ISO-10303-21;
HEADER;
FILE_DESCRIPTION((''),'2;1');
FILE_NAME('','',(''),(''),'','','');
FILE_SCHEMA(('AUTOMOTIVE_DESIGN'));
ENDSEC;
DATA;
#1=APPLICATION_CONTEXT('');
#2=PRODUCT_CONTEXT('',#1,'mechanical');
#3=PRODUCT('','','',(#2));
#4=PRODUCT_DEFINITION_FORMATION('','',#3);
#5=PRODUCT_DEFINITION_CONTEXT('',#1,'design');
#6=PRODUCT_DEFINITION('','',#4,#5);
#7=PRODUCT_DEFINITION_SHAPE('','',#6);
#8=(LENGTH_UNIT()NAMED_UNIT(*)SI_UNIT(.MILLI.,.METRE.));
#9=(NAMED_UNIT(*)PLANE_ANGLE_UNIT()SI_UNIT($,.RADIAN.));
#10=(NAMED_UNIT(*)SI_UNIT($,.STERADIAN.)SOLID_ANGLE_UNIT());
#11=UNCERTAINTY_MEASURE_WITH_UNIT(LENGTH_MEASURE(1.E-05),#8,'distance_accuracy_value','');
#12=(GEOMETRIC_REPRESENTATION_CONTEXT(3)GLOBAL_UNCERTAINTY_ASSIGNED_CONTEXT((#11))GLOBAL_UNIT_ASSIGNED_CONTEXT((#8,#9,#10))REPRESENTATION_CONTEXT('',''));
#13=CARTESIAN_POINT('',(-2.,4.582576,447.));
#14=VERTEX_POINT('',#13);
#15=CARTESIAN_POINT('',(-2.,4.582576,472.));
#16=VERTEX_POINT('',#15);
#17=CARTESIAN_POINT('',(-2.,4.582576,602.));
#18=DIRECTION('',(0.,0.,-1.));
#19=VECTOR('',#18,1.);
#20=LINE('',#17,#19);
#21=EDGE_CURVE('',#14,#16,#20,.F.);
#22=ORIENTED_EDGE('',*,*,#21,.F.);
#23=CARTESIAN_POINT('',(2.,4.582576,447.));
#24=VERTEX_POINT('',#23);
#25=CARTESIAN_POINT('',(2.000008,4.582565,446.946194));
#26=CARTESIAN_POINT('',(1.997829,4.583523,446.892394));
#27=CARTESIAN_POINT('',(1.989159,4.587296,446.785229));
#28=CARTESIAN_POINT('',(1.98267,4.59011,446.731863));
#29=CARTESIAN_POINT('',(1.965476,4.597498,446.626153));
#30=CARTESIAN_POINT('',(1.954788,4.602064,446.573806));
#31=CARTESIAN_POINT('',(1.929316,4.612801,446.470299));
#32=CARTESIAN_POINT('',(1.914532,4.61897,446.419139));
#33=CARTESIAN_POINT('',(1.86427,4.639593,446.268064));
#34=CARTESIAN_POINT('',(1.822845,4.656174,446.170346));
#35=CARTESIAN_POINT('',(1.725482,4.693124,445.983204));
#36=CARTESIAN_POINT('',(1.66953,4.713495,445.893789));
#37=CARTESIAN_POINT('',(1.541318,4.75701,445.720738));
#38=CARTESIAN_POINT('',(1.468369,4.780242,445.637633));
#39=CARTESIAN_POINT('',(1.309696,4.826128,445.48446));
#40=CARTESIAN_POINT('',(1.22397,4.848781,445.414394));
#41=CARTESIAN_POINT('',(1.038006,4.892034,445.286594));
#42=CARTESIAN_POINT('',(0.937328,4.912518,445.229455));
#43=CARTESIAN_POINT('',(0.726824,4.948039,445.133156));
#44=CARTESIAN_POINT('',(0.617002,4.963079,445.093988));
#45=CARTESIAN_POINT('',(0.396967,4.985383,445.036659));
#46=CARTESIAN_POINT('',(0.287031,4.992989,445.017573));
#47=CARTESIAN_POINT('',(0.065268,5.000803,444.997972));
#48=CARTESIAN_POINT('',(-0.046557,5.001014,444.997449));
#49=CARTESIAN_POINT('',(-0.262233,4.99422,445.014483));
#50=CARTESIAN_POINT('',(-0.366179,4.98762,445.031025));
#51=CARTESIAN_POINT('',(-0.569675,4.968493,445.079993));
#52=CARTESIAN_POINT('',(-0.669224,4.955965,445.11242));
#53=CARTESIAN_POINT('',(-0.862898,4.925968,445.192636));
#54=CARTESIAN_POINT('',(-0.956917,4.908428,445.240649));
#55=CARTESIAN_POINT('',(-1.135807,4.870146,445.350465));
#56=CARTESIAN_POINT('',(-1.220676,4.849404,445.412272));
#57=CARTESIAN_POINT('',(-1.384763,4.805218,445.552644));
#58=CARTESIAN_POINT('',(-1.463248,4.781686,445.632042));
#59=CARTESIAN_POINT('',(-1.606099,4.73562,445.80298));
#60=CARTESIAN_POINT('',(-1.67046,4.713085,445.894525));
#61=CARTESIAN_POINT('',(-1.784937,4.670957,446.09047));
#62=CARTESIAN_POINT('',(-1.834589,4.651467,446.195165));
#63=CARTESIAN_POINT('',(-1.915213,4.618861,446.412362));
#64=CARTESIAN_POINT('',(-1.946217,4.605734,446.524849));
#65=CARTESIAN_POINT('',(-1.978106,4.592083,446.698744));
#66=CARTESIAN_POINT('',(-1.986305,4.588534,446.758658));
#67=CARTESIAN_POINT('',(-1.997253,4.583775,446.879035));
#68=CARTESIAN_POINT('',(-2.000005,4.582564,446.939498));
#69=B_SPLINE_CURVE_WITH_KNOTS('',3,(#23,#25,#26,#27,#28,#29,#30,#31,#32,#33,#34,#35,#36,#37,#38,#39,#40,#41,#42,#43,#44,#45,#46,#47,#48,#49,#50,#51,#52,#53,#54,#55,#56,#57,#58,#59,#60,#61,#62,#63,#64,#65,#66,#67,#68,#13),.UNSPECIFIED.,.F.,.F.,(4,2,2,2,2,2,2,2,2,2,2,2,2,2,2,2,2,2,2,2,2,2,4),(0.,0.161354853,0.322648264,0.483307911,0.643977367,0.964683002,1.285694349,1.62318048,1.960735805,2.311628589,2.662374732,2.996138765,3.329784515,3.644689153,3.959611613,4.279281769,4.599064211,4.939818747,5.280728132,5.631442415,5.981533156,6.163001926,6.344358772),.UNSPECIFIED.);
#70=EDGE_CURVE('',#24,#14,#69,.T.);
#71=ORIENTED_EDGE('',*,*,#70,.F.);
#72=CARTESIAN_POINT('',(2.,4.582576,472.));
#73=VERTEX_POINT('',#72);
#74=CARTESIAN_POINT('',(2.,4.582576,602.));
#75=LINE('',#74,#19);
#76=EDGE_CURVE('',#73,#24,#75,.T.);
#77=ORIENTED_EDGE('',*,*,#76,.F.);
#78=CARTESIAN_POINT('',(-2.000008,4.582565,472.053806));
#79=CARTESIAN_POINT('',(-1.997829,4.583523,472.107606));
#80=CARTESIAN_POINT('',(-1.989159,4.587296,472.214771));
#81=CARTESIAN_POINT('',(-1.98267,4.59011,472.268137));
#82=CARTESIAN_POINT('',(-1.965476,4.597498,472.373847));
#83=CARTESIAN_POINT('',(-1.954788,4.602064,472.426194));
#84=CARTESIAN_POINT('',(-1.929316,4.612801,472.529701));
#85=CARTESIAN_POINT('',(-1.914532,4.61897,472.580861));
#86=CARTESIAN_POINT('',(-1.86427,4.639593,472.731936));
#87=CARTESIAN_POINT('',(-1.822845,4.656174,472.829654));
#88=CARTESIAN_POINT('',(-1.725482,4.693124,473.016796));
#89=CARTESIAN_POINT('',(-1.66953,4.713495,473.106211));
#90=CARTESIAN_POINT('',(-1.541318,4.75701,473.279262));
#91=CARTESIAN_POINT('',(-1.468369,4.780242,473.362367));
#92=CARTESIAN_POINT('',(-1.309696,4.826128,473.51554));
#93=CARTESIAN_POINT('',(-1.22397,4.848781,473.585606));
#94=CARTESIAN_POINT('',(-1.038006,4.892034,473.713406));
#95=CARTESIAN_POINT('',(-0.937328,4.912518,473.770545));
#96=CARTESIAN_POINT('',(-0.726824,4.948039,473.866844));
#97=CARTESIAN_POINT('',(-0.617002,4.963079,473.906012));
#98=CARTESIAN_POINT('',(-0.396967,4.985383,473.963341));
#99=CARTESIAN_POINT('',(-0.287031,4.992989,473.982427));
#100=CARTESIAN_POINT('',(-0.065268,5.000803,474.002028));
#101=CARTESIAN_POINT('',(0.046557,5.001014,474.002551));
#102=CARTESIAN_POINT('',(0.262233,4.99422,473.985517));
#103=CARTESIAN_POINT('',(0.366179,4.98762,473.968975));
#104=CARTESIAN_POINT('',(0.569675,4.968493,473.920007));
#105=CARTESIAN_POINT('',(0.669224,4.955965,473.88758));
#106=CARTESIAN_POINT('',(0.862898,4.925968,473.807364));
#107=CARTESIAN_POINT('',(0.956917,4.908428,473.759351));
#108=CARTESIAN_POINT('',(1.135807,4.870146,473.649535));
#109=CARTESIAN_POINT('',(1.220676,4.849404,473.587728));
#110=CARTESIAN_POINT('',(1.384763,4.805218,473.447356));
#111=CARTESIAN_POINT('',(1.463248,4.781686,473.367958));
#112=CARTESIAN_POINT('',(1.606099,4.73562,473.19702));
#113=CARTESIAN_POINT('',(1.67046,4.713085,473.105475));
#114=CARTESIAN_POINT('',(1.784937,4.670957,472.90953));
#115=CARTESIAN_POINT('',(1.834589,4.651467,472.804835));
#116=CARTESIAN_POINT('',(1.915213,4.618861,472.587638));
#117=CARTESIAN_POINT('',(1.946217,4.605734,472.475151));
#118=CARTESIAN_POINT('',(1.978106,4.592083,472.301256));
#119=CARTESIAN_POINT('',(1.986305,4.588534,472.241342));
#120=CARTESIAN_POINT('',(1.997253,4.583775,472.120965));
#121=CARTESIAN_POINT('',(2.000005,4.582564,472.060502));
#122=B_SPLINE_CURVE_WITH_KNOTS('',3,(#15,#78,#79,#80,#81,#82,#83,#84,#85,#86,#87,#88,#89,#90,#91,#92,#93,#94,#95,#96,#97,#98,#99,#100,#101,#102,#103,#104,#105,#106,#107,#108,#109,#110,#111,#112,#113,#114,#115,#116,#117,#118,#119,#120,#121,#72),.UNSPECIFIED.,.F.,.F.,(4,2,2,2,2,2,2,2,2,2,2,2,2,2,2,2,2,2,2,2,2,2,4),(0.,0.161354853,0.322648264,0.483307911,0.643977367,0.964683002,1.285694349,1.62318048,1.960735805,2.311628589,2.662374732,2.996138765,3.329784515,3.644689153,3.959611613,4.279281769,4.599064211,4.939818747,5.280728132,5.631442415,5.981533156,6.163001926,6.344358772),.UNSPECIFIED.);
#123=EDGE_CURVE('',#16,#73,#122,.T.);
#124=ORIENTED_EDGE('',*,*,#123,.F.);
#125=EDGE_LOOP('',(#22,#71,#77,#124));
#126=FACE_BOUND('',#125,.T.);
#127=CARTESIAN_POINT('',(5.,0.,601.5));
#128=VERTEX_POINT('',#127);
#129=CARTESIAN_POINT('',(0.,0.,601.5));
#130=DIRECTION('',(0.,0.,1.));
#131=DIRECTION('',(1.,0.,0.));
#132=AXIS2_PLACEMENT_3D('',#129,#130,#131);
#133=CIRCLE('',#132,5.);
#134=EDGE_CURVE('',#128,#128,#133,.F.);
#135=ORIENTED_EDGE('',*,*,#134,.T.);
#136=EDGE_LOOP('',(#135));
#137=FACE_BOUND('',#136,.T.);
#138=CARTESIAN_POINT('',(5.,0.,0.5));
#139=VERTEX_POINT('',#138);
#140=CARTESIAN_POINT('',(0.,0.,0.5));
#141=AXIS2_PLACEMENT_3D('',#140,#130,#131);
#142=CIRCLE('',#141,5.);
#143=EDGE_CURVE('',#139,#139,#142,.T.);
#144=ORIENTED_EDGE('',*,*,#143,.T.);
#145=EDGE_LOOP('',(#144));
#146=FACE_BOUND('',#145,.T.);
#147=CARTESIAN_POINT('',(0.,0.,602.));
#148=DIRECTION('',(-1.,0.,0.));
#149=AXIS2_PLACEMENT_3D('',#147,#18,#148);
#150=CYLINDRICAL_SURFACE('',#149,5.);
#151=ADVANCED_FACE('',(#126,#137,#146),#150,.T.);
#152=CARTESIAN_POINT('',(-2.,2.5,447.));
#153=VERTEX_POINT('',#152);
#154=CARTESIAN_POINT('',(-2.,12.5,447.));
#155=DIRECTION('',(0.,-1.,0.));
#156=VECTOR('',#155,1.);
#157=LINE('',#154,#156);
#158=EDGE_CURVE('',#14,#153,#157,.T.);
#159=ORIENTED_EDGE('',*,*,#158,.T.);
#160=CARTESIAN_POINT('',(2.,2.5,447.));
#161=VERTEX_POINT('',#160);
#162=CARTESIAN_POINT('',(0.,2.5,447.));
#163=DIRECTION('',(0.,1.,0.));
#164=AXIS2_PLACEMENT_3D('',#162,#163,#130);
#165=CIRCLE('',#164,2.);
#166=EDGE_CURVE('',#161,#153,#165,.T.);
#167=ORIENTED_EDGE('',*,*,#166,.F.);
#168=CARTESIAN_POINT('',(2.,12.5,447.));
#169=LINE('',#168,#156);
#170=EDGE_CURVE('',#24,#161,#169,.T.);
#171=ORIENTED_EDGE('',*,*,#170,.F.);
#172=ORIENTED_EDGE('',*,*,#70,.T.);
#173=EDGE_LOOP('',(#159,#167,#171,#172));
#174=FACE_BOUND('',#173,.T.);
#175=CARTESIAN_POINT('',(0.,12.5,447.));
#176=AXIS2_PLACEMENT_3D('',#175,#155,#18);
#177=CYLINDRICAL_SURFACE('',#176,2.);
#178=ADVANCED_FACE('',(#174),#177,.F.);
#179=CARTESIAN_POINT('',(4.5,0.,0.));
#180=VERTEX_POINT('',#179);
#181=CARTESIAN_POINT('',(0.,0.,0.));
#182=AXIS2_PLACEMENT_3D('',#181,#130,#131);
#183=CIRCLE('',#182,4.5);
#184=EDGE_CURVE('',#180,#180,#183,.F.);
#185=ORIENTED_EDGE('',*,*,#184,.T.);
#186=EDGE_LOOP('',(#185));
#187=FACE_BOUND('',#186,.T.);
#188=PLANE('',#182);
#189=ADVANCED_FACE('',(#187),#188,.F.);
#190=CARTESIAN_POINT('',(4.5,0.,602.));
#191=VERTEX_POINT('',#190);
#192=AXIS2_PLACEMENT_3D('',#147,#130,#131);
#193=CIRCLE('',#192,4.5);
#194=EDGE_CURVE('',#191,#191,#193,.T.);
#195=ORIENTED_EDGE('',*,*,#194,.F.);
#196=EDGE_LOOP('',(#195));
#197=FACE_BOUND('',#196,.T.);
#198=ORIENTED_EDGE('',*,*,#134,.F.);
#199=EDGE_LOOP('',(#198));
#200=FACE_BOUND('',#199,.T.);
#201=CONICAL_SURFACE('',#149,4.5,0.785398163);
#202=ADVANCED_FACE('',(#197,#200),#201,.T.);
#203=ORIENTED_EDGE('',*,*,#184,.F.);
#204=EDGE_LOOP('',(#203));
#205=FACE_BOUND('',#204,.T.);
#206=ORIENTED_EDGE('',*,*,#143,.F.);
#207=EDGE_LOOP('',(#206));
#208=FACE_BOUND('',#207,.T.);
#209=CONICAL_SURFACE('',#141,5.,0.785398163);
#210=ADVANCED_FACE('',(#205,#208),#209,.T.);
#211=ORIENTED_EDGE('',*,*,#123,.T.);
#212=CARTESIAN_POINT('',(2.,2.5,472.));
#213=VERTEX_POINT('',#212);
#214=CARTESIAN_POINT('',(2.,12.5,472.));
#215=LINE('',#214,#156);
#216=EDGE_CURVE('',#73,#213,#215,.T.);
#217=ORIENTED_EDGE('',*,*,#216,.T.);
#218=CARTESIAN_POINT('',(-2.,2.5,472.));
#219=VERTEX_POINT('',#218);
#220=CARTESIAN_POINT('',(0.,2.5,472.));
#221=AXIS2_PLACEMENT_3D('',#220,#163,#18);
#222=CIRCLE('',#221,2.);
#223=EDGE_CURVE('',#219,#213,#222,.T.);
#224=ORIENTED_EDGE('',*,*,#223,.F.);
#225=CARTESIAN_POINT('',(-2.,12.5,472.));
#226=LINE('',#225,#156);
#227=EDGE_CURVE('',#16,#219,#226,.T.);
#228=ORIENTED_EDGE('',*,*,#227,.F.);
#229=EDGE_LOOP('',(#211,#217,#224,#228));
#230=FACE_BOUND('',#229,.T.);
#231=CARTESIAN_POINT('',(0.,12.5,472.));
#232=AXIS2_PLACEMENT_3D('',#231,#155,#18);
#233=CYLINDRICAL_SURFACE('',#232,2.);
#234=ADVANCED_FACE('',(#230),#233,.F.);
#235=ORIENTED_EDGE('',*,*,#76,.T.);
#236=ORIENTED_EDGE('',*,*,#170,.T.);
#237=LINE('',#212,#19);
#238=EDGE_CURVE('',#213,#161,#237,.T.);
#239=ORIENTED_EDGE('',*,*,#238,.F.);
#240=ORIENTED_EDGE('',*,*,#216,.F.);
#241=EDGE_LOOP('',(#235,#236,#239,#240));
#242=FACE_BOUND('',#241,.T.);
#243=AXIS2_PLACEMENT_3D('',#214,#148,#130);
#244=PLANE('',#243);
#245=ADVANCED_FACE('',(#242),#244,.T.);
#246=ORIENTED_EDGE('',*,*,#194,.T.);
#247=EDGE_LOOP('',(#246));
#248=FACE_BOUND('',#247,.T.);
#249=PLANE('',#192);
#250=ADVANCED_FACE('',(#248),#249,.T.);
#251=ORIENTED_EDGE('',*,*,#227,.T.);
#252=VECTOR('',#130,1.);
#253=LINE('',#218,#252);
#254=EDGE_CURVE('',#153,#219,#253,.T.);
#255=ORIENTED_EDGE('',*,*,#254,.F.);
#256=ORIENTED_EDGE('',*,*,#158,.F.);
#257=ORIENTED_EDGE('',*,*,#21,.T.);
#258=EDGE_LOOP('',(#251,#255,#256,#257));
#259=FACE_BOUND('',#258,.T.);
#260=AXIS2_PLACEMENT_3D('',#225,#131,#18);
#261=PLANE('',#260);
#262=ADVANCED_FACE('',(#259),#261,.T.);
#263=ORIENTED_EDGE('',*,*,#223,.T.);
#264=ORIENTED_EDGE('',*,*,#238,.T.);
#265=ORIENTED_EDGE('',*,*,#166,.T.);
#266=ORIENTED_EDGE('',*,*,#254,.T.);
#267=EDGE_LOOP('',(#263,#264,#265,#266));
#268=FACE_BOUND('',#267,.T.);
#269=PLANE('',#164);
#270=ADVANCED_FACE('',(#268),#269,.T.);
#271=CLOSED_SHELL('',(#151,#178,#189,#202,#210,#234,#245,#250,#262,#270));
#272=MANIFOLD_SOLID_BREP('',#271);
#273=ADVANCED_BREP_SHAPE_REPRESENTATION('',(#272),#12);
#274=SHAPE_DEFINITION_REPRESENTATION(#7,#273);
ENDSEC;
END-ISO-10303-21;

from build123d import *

# Parameters (mm, degrees)
SKETCH_1_R          = 5
EXTRUDE_1_DEPTH     = 602
CHAMFER_1_SIZE      = 0.5
CUT_EXTRUDE_2_DEPTH = 10


with BuildPart() as part:
    # 草图1 → 拉伸1 (new body)
    with BuildSketch(Plane.XY):
        Circle(SKETCH_1_R)
    extrude(amount=EXTRUDE_1_DEPTH)

    # 倒角1
    chamfer_1_edges = [part.edges().sort_by_distance(p)[0] for p in [
        (-5, 0, 0),
        (-5, 0, 602),
    ]]
    chamfer(chamfer_1_edges, length=CHAMFER_1_SIZE)

    # 草图2 → 拉伸2 (cut)
    with BuildSketch(Plane(origin=(0, 2.5, 0), x_dir=(-1, 0, 0), z_dir=(0, 1, 0))):
        with BuildLine():
            Line((2, 472), (2, 447))
            ThreePointArc((2, 447), (0, 445), (-2, 447))
            Line((-2, 447), (-2, 472))
            ThreePointArc((-2, 472), (0, 474), (2, 472))
        make_face()
    extrude(amount=CUT_EXTRUDE_2_DEPTH, mode=Mode.SUBTRACT)


solid = part.part
